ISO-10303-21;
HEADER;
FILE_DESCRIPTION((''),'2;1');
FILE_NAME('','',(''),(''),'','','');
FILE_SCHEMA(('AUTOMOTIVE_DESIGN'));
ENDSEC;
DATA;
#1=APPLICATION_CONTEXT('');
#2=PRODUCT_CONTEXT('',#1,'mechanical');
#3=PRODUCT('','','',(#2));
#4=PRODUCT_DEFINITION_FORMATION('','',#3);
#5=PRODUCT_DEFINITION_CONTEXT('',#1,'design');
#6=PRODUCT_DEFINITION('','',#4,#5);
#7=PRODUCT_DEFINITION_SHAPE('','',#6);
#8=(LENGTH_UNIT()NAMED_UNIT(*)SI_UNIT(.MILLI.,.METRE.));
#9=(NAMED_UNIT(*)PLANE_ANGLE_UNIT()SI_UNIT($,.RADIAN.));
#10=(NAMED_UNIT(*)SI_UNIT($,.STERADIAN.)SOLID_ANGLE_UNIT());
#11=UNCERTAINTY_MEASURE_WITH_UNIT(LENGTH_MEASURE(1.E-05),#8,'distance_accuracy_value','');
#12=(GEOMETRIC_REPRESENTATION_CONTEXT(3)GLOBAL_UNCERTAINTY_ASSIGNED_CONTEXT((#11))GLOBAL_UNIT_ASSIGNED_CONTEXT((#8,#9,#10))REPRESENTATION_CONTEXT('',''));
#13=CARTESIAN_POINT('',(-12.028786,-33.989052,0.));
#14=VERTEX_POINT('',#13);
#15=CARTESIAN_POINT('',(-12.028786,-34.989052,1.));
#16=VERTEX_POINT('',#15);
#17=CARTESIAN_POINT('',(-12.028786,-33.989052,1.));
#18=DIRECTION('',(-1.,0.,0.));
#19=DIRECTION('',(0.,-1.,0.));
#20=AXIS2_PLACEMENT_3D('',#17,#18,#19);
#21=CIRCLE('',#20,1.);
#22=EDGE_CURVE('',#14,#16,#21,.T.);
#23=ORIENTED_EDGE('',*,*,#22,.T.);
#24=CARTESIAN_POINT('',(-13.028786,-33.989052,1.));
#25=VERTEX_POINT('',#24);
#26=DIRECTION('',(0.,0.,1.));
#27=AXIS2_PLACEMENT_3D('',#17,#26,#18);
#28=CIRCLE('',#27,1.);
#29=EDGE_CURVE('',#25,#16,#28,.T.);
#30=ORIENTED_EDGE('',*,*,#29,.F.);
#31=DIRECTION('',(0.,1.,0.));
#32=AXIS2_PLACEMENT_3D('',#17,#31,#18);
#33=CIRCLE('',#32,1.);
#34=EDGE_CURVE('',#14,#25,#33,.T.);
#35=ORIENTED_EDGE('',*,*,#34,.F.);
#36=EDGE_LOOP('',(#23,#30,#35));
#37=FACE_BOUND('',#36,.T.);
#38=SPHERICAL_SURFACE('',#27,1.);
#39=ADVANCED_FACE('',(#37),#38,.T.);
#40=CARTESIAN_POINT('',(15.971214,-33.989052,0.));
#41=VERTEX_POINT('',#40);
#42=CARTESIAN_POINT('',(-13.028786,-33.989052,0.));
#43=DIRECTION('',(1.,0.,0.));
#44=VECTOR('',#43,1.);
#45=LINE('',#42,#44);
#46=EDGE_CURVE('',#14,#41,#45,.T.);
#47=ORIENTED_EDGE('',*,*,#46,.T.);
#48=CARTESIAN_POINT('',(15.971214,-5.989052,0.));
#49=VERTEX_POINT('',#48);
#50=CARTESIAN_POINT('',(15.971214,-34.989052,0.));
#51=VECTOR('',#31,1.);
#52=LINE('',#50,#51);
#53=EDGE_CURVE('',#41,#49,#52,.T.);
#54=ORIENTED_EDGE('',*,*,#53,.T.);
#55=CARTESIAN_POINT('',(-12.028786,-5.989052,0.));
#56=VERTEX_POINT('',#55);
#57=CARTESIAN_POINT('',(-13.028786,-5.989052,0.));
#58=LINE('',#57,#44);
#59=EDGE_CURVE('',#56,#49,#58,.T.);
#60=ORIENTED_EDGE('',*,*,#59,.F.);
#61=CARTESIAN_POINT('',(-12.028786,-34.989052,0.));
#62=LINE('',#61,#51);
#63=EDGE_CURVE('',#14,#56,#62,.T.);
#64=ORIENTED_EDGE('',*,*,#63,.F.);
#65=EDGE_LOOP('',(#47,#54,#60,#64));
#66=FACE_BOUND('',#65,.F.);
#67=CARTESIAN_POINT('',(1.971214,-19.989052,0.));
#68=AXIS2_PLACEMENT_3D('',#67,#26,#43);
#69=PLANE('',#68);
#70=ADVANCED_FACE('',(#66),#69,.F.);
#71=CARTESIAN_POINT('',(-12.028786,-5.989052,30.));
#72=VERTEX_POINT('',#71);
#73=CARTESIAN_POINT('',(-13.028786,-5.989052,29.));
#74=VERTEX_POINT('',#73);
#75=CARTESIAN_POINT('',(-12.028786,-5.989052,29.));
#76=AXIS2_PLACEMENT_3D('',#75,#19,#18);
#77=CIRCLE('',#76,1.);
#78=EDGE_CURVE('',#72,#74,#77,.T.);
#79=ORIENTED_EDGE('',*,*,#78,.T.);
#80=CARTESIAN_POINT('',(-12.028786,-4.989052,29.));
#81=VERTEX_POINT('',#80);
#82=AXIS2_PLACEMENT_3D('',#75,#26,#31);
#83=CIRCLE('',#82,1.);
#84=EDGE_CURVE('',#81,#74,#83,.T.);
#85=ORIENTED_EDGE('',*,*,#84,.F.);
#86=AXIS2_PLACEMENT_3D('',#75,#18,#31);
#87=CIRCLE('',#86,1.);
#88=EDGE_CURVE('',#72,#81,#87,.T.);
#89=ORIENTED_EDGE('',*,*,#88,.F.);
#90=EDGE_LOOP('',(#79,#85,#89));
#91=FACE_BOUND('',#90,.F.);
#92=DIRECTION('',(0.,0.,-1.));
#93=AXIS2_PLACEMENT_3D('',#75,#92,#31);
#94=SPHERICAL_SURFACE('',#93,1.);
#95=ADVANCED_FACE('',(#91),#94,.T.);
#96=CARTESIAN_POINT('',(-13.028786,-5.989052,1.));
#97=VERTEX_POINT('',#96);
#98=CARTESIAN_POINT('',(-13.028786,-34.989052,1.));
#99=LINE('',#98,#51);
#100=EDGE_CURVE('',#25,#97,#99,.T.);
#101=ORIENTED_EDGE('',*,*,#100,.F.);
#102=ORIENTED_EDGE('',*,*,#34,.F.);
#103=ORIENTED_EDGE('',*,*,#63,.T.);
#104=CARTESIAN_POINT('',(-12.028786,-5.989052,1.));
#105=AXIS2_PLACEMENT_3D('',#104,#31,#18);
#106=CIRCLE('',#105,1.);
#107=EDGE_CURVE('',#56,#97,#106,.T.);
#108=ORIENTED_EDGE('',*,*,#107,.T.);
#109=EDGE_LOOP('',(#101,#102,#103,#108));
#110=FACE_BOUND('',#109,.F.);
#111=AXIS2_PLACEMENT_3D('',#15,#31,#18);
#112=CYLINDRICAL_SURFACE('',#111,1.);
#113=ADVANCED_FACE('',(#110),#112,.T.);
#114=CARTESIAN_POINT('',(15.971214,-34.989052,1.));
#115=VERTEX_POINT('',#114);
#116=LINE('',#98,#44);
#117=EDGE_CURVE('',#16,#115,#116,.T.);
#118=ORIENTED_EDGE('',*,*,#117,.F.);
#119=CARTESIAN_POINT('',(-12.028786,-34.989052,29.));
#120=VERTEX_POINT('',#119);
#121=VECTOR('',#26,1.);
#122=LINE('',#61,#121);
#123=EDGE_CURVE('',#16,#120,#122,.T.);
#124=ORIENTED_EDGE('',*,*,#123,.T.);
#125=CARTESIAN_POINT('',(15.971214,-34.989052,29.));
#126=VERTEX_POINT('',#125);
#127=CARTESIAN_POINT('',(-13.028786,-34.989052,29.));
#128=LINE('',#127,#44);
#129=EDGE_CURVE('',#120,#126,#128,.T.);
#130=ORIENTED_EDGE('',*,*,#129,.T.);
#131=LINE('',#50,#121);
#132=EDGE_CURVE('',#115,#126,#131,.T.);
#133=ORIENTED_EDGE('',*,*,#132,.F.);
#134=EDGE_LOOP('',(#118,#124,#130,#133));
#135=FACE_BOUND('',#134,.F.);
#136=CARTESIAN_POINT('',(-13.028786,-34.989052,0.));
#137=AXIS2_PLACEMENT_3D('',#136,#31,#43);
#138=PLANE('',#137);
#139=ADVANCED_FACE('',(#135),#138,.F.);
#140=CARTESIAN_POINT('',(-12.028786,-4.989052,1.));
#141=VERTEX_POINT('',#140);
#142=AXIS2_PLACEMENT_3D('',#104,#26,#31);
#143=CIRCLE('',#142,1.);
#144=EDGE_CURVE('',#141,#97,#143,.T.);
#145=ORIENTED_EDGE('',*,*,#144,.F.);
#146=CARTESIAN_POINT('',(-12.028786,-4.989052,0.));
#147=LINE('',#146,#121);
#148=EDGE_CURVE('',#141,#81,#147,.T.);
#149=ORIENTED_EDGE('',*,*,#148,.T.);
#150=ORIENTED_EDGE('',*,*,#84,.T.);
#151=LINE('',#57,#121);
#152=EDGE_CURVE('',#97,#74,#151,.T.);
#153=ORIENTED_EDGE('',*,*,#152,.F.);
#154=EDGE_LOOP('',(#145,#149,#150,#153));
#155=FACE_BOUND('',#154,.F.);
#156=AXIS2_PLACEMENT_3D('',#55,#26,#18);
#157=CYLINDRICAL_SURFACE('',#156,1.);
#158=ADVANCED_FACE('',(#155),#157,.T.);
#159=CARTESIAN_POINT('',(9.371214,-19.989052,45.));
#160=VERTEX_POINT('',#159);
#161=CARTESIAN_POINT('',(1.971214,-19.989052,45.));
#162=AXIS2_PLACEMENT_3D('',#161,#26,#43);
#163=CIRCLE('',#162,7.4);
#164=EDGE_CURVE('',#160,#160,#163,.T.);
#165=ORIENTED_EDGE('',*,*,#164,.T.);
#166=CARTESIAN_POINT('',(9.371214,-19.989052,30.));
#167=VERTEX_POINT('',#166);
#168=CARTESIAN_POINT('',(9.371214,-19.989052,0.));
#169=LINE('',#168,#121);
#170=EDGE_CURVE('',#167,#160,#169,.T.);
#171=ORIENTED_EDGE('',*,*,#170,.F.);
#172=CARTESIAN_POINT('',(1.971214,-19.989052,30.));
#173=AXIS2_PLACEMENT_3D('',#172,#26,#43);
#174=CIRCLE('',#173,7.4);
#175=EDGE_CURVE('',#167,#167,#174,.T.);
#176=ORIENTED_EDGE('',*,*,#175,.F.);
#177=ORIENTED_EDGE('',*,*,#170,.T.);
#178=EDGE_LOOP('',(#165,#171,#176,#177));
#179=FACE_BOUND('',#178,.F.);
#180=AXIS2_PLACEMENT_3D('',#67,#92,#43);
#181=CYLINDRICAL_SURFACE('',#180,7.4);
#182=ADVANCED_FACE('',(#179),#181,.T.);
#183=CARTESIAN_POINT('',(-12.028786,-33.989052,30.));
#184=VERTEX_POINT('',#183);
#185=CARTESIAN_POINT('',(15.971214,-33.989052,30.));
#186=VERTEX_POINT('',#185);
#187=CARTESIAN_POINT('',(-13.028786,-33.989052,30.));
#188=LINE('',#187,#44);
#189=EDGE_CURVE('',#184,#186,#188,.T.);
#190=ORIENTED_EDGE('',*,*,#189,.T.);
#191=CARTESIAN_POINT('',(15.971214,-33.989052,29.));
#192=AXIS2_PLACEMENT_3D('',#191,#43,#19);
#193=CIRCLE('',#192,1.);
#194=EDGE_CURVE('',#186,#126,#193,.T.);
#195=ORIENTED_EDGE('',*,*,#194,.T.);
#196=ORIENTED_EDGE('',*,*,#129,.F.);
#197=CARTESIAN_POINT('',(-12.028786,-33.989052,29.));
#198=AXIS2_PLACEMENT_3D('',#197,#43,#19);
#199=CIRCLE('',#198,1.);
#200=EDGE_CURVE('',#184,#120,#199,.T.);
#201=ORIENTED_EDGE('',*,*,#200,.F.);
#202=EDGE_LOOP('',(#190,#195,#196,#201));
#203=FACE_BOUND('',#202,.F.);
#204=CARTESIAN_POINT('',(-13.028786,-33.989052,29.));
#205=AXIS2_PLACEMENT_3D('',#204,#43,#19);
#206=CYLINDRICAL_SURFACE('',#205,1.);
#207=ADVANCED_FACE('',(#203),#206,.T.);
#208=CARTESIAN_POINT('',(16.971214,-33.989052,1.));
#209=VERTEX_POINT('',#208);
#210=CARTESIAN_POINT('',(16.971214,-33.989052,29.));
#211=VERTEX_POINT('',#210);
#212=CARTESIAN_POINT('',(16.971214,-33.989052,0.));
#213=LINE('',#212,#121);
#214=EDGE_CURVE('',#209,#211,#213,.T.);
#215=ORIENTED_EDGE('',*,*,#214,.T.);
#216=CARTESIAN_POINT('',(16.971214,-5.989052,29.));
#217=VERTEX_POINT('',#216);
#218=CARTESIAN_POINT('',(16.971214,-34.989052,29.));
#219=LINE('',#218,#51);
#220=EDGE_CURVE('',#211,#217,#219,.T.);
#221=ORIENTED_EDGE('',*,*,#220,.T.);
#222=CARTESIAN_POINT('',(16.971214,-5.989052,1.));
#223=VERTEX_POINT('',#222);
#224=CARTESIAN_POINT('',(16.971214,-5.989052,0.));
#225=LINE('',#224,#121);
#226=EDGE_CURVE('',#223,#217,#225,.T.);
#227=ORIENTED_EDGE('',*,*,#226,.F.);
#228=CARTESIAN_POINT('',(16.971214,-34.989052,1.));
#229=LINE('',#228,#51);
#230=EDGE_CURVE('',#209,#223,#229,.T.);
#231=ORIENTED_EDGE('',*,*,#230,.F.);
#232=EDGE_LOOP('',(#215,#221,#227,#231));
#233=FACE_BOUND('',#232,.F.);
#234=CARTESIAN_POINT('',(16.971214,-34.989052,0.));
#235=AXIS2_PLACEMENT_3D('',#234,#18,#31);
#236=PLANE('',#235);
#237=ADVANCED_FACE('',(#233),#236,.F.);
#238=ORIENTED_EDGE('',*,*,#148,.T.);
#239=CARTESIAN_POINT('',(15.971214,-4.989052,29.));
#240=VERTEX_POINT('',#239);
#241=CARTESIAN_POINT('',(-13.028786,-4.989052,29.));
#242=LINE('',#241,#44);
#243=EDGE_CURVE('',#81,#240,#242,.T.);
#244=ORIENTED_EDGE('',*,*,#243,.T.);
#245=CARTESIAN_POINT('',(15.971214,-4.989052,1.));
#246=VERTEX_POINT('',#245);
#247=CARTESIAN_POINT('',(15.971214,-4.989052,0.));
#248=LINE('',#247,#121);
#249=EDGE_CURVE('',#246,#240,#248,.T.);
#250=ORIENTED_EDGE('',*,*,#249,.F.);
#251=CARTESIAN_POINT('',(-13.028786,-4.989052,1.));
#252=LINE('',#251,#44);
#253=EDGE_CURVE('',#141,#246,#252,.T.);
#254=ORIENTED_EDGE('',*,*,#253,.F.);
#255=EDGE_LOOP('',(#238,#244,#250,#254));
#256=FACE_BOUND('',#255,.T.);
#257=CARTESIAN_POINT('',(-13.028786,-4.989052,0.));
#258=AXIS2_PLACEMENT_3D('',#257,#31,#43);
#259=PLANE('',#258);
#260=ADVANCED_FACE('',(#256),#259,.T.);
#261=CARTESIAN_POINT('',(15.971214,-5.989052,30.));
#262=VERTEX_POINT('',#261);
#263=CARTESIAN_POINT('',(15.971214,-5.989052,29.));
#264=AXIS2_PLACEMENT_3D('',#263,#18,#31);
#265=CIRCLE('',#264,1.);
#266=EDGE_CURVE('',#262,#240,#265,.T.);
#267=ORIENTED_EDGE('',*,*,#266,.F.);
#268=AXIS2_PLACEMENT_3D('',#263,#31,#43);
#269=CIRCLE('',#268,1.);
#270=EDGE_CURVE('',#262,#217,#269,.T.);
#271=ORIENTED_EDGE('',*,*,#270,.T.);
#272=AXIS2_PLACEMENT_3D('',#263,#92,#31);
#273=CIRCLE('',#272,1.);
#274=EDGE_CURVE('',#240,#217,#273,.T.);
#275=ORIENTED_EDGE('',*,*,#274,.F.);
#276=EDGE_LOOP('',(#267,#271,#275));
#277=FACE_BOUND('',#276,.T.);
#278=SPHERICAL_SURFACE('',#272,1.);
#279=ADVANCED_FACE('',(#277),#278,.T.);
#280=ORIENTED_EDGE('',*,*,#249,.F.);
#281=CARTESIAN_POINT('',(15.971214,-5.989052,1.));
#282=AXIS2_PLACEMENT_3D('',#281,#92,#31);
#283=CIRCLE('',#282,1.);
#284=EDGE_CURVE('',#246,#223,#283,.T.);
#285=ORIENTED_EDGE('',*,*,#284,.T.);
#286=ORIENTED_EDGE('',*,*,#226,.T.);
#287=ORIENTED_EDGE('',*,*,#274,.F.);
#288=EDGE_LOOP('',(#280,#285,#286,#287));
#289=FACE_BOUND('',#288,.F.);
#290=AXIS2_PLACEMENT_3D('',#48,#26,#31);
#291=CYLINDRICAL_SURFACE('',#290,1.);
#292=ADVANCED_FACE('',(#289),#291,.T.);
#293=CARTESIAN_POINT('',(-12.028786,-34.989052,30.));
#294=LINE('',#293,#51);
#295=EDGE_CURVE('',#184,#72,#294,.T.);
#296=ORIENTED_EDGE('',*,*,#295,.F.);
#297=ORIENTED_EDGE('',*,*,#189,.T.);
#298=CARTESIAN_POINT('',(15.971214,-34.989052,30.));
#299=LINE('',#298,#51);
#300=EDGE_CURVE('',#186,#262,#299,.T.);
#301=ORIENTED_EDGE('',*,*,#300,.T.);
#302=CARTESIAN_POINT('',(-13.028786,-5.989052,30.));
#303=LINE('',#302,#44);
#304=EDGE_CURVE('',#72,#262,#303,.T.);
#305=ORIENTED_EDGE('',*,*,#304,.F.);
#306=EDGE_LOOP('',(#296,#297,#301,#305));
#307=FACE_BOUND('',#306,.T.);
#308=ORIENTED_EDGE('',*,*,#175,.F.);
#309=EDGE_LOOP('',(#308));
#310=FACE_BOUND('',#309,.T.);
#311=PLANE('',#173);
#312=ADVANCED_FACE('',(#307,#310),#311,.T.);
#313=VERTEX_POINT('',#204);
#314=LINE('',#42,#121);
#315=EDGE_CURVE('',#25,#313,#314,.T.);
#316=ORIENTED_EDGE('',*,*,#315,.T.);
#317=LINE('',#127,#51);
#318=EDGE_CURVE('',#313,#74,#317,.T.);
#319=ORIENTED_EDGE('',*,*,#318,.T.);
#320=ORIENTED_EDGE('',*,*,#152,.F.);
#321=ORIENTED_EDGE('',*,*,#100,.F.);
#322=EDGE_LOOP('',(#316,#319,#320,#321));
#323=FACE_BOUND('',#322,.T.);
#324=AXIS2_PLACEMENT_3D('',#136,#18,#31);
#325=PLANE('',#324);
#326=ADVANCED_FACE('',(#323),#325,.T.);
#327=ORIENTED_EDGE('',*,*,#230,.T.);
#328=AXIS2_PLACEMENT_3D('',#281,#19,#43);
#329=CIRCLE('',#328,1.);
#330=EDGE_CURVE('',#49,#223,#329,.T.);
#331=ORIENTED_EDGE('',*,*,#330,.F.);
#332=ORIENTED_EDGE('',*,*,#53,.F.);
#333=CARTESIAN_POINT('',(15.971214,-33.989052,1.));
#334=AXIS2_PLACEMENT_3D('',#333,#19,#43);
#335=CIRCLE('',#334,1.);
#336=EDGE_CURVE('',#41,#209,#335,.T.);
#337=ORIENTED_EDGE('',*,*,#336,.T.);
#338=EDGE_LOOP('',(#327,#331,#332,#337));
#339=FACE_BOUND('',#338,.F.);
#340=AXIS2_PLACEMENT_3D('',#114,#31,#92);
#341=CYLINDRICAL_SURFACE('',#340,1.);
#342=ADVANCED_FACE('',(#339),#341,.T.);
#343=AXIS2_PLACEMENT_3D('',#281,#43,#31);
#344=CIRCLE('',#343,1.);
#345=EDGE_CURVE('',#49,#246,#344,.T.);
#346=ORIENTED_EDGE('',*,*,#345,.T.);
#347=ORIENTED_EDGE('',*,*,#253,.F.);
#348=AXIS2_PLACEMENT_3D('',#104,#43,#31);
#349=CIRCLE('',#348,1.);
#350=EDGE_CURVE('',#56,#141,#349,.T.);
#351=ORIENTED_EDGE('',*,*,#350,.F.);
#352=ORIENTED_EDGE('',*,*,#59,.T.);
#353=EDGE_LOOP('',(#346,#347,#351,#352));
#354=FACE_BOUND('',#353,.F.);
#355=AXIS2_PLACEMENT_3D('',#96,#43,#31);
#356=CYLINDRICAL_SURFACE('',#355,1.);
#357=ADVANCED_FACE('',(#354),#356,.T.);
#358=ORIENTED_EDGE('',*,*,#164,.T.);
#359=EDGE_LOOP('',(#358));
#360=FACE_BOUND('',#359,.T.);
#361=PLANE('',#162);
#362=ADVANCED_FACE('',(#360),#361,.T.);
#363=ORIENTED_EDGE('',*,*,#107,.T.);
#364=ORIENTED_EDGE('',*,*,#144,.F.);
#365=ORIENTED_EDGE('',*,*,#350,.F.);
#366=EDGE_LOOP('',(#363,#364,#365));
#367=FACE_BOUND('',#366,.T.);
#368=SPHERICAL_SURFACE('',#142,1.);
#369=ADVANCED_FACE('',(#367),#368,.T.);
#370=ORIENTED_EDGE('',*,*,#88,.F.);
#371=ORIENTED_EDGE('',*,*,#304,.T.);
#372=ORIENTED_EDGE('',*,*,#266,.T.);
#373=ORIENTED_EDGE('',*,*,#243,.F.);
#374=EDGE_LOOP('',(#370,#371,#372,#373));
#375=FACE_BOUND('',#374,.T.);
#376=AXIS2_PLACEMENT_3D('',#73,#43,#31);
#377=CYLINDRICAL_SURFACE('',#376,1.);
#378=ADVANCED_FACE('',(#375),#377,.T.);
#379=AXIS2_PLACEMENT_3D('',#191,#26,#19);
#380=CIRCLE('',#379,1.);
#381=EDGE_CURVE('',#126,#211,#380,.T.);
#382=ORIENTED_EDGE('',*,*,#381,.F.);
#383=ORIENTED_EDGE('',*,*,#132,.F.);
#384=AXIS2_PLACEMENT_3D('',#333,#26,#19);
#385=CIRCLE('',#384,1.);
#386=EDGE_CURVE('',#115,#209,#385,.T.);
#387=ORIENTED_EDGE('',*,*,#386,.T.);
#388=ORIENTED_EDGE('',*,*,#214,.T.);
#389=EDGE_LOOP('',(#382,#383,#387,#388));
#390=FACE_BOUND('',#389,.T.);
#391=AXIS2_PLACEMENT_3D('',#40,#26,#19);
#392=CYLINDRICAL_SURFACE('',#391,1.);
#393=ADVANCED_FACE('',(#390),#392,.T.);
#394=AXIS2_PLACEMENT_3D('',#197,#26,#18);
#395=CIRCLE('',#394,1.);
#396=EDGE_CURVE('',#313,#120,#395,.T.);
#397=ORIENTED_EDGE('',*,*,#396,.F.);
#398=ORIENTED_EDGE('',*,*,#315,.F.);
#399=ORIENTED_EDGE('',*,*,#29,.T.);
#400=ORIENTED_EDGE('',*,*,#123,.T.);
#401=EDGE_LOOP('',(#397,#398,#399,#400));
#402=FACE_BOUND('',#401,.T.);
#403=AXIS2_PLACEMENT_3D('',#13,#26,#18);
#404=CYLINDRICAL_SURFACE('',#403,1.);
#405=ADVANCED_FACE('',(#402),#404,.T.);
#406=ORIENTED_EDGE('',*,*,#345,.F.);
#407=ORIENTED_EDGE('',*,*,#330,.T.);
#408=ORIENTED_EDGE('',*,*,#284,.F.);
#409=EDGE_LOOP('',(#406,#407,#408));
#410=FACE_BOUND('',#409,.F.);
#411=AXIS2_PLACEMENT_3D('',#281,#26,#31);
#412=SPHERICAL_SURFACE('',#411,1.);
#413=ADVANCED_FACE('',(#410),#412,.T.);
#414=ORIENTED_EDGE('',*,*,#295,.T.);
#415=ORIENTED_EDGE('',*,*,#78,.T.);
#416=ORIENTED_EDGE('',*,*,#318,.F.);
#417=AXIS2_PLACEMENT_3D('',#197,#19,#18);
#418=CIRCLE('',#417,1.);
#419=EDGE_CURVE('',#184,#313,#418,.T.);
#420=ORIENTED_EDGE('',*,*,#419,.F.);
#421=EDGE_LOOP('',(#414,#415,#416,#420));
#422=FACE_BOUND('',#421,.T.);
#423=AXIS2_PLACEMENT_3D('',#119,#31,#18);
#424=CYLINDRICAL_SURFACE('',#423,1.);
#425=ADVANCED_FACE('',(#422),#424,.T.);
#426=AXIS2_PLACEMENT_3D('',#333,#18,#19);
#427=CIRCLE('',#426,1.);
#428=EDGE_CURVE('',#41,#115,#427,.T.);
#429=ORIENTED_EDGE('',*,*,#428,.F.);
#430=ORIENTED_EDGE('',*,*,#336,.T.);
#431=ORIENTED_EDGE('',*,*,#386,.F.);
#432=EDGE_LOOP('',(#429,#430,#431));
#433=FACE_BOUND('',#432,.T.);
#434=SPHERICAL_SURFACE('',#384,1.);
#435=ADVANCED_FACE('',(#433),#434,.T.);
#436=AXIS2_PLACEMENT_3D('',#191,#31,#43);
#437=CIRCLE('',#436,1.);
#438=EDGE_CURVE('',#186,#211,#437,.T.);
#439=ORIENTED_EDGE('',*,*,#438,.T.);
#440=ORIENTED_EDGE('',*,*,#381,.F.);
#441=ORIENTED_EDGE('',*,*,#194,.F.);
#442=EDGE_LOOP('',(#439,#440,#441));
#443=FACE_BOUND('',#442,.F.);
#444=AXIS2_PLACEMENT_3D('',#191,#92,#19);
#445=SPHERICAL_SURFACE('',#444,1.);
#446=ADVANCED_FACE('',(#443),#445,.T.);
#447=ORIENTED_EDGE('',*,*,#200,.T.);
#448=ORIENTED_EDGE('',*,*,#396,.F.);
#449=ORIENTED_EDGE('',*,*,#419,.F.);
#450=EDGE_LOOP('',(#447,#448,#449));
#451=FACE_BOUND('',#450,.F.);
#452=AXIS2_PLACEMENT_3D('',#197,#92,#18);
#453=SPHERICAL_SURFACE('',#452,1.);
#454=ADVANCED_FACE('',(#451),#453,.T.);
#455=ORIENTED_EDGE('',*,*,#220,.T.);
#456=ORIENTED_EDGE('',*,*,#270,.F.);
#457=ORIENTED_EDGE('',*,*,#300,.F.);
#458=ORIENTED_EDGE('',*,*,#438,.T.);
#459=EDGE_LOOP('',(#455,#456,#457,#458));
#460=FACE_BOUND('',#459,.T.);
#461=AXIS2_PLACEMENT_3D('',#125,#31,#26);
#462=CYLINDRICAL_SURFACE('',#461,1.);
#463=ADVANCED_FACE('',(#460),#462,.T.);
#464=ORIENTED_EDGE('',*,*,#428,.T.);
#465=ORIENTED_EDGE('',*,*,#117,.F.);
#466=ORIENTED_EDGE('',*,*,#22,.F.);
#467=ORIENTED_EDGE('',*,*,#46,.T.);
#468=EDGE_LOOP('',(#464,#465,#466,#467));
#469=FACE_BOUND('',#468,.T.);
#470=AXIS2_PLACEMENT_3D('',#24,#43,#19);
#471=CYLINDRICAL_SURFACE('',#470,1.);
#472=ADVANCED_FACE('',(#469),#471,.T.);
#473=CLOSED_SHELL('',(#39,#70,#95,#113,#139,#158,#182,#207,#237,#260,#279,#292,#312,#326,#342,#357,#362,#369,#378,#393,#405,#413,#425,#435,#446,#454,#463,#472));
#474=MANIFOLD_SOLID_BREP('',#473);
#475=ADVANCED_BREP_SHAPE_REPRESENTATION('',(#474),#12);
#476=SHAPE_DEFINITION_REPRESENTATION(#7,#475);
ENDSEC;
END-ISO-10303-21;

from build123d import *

# Parameters (mm, degrees)
F0_R     = 7.4
F1_DEPTH = 45
F0_W     = 30
F0_H     = 30
F2_DEPTH = 30
F3_R     = 1


with BuildPart() as f1:
    # F0 (on Top) → F1 (new body)
    with BuildSketch(Plane.XY):
        with Locations((1.971214, -19.989052)):
            Circle(F0_R)
    extrude(amount=F1_DEPTH)

    # F0 (on Top) → F2 (join)
    with BuildSketch(Plane.XY):
        with Locations((1.971214, -19.989052)):
            Rectangle(F0_W, F0_H)
        with Locations((1.971214, -19.989052)):
            Circle(F0_R, mode=Mode.SUBTRACT)
    extrude(amount=F2_DEPTH)

    # F3
    f3_edges = [f1.edges().sort_by_distance(p)[0] for p in [
        (16.971214, -4.989052, 15),
        (-13.028786, -4.989052, 15),
        (1.971214, -4.989052, 0),
        (1.971214, -4.989052, 30),
        (-13.028786, -34.989052, 15),
        (-13.028786, -19.989052, 0),
        (-13.028786, -19.989052, 30),
        (16.971214, -34.989052, 15),
        (1.971214, -34.989052, 0),
        (1.971214, -34.989052, 30),
        (16.971214, -19.989052, 0),
        (16.971214, -19.989052, 30),
    ]]
    fillet(f3_edges, radius=F3_R)


solid = f1.part
